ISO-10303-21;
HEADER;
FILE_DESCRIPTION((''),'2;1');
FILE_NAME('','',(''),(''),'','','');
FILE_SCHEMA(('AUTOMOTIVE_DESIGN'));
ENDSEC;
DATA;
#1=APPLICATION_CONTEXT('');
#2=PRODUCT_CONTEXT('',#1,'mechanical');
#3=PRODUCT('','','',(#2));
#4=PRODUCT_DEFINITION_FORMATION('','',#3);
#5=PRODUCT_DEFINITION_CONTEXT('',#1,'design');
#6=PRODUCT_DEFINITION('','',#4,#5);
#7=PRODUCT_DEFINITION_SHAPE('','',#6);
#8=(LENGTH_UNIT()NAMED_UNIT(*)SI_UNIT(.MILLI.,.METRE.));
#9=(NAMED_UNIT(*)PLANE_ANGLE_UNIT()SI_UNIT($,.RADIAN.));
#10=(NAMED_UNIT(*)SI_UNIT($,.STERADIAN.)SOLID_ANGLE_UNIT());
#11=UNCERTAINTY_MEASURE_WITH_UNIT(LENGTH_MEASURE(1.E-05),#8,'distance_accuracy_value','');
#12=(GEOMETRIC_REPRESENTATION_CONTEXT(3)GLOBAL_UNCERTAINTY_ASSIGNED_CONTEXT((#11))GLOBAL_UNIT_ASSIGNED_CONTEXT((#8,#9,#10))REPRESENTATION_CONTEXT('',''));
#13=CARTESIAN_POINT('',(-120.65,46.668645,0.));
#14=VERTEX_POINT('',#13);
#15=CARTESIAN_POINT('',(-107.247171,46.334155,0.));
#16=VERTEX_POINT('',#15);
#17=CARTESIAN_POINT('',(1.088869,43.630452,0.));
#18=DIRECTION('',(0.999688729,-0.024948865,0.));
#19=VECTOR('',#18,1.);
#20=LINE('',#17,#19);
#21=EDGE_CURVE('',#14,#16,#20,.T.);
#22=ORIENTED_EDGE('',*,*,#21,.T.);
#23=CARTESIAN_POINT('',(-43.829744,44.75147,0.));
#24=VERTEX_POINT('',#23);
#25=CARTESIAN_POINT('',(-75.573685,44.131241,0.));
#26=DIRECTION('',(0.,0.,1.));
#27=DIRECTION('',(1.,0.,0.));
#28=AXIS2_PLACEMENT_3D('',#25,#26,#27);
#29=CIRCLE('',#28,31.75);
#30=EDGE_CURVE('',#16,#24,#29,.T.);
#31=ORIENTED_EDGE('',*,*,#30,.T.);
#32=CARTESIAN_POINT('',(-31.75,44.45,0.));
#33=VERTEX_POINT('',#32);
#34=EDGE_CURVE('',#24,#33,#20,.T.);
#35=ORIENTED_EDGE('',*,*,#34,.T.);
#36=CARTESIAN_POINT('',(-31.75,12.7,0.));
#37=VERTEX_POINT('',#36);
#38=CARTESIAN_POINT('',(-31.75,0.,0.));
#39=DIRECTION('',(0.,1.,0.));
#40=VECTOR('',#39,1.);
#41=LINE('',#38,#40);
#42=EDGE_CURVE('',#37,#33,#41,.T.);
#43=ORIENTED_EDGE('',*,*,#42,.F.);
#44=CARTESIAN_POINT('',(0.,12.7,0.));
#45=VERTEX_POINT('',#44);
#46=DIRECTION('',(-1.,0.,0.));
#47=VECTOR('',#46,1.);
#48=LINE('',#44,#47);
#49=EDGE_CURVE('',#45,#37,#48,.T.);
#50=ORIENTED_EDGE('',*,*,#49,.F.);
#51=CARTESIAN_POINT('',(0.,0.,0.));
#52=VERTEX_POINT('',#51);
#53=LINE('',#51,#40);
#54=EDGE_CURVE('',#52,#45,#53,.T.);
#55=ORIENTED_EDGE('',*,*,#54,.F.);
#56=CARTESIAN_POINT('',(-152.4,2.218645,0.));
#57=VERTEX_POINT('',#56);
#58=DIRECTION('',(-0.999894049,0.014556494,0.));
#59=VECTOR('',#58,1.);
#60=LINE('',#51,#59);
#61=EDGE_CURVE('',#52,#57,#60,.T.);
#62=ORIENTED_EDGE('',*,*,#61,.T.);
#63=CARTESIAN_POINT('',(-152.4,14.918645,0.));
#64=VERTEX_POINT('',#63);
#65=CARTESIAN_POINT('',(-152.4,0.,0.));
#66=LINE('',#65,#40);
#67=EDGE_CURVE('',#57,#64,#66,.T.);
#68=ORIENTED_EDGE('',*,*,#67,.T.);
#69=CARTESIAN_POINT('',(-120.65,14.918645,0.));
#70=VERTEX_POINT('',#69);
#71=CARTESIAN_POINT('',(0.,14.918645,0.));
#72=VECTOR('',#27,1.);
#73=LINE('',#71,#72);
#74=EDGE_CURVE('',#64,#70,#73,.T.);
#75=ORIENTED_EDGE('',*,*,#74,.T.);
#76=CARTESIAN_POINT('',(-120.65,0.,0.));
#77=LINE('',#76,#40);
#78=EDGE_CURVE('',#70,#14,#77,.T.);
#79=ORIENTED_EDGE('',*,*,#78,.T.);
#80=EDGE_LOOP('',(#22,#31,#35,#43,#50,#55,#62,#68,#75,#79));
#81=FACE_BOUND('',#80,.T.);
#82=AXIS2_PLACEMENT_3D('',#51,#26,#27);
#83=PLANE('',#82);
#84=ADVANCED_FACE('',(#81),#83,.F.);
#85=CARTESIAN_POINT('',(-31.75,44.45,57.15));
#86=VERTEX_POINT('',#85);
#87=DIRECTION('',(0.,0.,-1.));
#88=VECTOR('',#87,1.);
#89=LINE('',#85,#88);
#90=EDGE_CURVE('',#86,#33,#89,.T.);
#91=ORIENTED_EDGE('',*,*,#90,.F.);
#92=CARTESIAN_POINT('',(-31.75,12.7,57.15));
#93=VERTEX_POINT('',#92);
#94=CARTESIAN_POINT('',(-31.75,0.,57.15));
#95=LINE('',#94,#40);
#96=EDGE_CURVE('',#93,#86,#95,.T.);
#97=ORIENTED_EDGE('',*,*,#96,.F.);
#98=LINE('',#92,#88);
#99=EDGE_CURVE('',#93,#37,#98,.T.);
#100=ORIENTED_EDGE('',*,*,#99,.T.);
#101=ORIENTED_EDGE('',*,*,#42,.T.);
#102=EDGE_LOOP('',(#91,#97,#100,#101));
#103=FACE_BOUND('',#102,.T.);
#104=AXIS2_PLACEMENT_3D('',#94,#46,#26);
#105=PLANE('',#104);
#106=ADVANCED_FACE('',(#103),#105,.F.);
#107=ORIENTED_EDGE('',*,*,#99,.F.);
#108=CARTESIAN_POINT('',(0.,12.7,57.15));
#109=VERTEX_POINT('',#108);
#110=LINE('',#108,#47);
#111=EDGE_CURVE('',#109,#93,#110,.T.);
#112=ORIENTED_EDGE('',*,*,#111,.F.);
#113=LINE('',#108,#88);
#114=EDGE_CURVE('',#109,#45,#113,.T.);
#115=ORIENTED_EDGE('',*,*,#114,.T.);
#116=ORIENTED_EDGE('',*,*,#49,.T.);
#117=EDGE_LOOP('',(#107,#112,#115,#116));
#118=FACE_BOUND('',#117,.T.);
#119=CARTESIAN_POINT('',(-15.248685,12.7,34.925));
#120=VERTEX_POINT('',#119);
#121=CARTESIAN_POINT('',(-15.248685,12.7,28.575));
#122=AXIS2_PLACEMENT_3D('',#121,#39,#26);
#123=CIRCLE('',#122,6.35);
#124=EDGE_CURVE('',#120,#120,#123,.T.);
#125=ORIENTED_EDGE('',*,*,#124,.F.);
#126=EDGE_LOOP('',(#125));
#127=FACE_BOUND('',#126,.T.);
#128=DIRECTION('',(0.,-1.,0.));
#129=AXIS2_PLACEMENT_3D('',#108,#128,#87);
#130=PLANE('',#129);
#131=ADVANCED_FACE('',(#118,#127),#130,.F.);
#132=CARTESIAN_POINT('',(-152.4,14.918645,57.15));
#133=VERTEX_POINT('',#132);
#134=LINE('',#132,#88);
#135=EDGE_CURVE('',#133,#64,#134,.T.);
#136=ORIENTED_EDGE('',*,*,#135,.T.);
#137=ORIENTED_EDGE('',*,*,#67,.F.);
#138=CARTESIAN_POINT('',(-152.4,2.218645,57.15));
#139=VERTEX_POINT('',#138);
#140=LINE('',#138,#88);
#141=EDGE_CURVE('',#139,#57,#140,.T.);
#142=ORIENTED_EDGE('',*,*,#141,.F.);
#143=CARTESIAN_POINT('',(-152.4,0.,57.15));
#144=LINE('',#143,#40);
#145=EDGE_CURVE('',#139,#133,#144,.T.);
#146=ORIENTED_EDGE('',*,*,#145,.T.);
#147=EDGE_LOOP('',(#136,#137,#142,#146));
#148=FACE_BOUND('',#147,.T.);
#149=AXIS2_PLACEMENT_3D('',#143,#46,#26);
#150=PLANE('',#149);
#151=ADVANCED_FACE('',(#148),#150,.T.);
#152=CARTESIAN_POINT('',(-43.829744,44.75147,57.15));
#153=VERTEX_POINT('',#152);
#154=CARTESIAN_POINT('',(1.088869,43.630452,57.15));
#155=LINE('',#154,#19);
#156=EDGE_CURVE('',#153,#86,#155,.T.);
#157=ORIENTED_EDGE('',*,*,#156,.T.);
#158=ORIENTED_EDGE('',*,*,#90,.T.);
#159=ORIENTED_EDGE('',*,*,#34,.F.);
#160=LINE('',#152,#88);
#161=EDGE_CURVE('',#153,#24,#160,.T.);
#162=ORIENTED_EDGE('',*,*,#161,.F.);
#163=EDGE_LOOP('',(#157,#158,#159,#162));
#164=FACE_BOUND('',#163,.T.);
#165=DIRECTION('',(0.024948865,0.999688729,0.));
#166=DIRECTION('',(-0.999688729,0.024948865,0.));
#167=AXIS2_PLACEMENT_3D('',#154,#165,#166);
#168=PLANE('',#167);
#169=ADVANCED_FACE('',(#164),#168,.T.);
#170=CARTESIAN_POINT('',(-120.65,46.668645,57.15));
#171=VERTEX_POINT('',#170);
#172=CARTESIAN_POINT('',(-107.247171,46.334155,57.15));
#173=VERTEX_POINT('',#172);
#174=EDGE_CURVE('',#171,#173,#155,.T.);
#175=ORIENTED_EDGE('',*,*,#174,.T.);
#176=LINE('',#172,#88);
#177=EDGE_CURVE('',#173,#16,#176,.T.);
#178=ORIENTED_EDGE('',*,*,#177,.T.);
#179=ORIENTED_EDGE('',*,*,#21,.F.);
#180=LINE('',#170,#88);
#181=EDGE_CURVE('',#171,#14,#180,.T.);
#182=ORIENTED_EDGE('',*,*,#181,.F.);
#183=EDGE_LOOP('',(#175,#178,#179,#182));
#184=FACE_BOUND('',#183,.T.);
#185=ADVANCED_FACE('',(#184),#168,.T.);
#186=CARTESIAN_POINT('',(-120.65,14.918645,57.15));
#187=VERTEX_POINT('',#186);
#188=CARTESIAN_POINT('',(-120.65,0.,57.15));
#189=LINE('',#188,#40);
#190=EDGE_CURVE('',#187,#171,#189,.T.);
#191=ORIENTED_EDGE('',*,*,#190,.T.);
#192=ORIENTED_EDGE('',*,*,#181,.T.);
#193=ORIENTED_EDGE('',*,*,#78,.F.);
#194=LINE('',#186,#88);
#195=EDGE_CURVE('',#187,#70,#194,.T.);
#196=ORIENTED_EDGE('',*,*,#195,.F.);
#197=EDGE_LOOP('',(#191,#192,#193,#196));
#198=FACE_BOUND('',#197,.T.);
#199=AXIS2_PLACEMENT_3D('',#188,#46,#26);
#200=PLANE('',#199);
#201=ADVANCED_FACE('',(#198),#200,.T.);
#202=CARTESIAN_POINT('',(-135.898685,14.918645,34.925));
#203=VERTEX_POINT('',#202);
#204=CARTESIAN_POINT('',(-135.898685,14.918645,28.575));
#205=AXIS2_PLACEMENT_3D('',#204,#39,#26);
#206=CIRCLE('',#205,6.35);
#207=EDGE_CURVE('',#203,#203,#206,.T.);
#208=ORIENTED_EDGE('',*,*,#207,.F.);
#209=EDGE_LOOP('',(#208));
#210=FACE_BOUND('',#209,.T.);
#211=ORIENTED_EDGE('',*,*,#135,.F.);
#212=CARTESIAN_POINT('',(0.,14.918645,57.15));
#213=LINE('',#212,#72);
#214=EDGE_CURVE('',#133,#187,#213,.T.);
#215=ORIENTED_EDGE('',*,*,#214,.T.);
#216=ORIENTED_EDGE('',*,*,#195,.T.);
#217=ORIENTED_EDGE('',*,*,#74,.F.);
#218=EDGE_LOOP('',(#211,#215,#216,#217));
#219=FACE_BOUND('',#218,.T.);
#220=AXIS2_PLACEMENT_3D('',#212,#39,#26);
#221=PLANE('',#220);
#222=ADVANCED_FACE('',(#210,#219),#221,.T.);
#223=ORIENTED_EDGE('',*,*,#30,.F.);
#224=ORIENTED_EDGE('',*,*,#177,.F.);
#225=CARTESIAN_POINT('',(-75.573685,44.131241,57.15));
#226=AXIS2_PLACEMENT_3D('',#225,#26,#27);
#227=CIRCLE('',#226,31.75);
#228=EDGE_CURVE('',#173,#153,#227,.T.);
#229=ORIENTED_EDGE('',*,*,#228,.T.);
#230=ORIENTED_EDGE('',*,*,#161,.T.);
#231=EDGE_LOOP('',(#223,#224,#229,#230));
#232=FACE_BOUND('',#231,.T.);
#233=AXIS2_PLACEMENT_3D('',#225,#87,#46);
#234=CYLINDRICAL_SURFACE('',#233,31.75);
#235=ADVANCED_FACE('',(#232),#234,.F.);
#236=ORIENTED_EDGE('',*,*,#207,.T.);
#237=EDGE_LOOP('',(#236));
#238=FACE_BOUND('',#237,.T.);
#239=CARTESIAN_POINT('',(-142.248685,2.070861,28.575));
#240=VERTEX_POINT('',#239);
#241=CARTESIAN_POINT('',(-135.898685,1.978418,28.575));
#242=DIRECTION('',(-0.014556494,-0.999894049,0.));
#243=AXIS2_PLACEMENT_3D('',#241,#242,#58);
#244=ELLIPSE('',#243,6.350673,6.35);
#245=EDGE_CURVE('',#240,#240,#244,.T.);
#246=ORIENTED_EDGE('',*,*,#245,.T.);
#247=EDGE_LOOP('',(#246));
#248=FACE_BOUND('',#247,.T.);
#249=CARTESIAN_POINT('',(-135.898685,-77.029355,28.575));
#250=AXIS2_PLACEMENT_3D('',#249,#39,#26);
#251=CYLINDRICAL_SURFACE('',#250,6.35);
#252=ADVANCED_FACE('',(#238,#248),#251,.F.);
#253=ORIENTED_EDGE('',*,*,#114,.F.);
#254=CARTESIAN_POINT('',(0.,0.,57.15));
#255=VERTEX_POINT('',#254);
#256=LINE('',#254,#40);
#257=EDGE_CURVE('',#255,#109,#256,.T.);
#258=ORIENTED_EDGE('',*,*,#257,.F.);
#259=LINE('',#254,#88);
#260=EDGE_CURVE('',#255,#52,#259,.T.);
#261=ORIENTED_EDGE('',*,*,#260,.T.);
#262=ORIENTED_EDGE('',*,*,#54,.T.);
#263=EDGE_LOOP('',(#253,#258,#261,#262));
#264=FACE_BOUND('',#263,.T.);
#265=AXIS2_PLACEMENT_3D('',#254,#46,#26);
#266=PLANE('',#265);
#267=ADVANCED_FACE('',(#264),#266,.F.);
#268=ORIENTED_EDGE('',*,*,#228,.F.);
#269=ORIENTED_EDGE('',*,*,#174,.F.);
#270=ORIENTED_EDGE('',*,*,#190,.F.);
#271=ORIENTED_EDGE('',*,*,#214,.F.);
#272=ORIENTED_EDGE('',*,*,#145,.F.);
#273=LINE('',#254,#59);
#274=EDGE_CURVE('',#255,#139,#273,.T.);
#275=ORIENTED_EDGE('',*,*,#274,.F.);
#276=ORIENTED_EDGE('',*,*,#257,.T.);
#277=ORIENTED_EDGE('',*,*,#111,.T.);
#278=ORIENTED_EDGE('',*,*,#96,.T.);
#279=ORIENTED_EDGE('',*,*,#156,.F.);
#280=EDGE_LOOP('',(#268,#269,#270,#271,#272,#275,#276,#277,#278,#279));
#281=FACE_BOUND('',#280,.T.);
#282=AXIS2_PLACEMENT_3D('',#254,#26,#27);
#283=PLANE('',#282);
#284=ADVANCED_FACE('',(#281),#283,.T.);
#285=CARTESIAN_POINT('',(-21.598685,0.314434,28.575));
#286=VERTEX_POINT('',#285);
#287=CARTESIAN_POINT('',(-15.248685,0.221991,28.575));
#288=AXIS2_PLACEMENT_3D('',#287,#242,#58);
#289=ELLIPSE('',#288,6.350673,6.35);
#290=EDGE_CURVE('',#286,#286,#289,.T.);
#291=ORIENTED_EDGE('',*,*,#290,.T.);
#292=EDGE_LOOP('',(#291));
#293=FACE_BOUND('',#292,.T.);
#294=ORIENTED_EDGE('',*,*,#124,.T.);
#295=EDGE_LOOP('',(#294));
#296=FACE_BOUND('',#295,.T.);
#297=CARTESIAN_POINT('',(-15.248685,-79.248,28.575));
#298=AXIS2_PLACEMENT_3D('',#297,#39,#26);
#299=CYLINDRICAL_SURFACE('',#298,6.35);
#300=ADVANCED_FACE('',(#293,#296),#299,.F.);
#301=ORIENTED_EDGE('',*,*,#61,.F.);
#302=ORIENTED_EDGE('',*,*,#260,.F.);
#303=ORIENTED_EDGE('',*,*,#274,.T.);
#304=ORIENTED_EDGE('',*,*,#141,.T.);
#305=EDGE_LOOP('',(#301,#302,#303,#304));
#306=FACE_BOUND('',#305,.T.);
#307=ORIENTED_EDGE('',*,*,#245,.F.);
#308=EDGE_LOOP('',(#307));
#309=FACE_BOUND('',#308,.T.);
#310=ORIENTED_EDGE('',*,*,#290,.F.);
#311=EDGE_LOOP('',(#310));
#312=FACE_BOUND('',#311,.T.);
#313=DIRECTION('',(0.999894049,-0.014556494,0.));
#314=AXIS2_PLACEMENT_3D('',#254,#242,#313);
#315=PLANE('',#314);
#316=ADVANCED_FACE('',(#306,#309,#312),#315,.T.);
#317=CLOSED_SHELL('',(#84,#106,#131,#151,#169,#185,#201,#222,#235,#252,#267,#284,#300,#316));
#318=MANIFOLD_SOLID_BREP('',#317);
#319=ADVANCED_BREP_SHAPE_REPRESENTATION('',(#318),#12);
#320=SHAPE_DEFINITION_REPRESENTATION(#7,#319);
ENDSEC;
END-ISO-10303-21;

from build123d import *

# Parameters (mm, degrees)
BOSS_EXTRUDE2_DEPTH = 57.15
SKETCH8_R           = 6.35
CUT_EXTRUDE8_DEPTH  = 91.948
SKETCH6_R           = 6.35
CUT_EXTRUDE9_DEPTH  = 91.948


with BuildPart() as part:
    # Sketch1 → Boss-Extrude2 (new body)
    with BuildSketch(Plane.XY):
        with BuildLine():
            Line((-152.4, 2.2186447), (0, 0))
            Line((0, 0), (0, 12.7))
            Line((0, 12.7), (-31.75, 12.7))
            Line((-31.75, 12.7), (-31.75, 44.45))
            Line((-31.75, 44.45), (-43.829743935, 44.75146974))
            ThreePointArc((-43.829743935, 44.75146974), (-43.825200034, 44.441370306), (-43.823685352, 44.131241281))
            ThreePointArc((-43.823685352, 44.131241281), (-76.675806516, 12.400375725), (-107.247170639, 46.334155203))
            Line((-107.247170639, 46.334155203), (-120.65, 46.6686447))
            Line((-120.65, 46.6686447), (-120.65, 14.9186447))
            Line((-120.65, 14.9186447), (-152.4, 14.9186447))
            Line((-152.4, 14.9186447), (-152.4, 2.2186447))
        make_face()
    extrude(amount=BOSS_EXTRUDE2_DEPTH)

    # Sketch8 → Cut-Extrude8 (cut)
    with BuildSketch(Plane(origin=(0, 14.9186447, 0), x_dir=(1, 0, 0), z_dir=(0, 1, 0))):
        with Locations(Location((-135.898685352, -28.575, 0), (0, 0, 270))):
            Circle(SKETCH8_R)
    extrude(amount=-CUT_EXTRUDE8_DEPTH, mode=Mode.SUBTRACT)

    # Sketch6 → Cut-Extrude9 (cut)
    with BuildSketch(Plane(origin=(0, 12.7, 0), x_dir=(1, 0, 0), z_dir=(0, 1, 0))):
        with Locations(Location((-15.248685352, -28.575, 0), (0, 0, 270))):
            Circle(SKETCH6_R)
    extrude(amount=-CUT_EXTRUDE9_DEPTH, mode=Mode.SUBTRACT)


solid = part.part
